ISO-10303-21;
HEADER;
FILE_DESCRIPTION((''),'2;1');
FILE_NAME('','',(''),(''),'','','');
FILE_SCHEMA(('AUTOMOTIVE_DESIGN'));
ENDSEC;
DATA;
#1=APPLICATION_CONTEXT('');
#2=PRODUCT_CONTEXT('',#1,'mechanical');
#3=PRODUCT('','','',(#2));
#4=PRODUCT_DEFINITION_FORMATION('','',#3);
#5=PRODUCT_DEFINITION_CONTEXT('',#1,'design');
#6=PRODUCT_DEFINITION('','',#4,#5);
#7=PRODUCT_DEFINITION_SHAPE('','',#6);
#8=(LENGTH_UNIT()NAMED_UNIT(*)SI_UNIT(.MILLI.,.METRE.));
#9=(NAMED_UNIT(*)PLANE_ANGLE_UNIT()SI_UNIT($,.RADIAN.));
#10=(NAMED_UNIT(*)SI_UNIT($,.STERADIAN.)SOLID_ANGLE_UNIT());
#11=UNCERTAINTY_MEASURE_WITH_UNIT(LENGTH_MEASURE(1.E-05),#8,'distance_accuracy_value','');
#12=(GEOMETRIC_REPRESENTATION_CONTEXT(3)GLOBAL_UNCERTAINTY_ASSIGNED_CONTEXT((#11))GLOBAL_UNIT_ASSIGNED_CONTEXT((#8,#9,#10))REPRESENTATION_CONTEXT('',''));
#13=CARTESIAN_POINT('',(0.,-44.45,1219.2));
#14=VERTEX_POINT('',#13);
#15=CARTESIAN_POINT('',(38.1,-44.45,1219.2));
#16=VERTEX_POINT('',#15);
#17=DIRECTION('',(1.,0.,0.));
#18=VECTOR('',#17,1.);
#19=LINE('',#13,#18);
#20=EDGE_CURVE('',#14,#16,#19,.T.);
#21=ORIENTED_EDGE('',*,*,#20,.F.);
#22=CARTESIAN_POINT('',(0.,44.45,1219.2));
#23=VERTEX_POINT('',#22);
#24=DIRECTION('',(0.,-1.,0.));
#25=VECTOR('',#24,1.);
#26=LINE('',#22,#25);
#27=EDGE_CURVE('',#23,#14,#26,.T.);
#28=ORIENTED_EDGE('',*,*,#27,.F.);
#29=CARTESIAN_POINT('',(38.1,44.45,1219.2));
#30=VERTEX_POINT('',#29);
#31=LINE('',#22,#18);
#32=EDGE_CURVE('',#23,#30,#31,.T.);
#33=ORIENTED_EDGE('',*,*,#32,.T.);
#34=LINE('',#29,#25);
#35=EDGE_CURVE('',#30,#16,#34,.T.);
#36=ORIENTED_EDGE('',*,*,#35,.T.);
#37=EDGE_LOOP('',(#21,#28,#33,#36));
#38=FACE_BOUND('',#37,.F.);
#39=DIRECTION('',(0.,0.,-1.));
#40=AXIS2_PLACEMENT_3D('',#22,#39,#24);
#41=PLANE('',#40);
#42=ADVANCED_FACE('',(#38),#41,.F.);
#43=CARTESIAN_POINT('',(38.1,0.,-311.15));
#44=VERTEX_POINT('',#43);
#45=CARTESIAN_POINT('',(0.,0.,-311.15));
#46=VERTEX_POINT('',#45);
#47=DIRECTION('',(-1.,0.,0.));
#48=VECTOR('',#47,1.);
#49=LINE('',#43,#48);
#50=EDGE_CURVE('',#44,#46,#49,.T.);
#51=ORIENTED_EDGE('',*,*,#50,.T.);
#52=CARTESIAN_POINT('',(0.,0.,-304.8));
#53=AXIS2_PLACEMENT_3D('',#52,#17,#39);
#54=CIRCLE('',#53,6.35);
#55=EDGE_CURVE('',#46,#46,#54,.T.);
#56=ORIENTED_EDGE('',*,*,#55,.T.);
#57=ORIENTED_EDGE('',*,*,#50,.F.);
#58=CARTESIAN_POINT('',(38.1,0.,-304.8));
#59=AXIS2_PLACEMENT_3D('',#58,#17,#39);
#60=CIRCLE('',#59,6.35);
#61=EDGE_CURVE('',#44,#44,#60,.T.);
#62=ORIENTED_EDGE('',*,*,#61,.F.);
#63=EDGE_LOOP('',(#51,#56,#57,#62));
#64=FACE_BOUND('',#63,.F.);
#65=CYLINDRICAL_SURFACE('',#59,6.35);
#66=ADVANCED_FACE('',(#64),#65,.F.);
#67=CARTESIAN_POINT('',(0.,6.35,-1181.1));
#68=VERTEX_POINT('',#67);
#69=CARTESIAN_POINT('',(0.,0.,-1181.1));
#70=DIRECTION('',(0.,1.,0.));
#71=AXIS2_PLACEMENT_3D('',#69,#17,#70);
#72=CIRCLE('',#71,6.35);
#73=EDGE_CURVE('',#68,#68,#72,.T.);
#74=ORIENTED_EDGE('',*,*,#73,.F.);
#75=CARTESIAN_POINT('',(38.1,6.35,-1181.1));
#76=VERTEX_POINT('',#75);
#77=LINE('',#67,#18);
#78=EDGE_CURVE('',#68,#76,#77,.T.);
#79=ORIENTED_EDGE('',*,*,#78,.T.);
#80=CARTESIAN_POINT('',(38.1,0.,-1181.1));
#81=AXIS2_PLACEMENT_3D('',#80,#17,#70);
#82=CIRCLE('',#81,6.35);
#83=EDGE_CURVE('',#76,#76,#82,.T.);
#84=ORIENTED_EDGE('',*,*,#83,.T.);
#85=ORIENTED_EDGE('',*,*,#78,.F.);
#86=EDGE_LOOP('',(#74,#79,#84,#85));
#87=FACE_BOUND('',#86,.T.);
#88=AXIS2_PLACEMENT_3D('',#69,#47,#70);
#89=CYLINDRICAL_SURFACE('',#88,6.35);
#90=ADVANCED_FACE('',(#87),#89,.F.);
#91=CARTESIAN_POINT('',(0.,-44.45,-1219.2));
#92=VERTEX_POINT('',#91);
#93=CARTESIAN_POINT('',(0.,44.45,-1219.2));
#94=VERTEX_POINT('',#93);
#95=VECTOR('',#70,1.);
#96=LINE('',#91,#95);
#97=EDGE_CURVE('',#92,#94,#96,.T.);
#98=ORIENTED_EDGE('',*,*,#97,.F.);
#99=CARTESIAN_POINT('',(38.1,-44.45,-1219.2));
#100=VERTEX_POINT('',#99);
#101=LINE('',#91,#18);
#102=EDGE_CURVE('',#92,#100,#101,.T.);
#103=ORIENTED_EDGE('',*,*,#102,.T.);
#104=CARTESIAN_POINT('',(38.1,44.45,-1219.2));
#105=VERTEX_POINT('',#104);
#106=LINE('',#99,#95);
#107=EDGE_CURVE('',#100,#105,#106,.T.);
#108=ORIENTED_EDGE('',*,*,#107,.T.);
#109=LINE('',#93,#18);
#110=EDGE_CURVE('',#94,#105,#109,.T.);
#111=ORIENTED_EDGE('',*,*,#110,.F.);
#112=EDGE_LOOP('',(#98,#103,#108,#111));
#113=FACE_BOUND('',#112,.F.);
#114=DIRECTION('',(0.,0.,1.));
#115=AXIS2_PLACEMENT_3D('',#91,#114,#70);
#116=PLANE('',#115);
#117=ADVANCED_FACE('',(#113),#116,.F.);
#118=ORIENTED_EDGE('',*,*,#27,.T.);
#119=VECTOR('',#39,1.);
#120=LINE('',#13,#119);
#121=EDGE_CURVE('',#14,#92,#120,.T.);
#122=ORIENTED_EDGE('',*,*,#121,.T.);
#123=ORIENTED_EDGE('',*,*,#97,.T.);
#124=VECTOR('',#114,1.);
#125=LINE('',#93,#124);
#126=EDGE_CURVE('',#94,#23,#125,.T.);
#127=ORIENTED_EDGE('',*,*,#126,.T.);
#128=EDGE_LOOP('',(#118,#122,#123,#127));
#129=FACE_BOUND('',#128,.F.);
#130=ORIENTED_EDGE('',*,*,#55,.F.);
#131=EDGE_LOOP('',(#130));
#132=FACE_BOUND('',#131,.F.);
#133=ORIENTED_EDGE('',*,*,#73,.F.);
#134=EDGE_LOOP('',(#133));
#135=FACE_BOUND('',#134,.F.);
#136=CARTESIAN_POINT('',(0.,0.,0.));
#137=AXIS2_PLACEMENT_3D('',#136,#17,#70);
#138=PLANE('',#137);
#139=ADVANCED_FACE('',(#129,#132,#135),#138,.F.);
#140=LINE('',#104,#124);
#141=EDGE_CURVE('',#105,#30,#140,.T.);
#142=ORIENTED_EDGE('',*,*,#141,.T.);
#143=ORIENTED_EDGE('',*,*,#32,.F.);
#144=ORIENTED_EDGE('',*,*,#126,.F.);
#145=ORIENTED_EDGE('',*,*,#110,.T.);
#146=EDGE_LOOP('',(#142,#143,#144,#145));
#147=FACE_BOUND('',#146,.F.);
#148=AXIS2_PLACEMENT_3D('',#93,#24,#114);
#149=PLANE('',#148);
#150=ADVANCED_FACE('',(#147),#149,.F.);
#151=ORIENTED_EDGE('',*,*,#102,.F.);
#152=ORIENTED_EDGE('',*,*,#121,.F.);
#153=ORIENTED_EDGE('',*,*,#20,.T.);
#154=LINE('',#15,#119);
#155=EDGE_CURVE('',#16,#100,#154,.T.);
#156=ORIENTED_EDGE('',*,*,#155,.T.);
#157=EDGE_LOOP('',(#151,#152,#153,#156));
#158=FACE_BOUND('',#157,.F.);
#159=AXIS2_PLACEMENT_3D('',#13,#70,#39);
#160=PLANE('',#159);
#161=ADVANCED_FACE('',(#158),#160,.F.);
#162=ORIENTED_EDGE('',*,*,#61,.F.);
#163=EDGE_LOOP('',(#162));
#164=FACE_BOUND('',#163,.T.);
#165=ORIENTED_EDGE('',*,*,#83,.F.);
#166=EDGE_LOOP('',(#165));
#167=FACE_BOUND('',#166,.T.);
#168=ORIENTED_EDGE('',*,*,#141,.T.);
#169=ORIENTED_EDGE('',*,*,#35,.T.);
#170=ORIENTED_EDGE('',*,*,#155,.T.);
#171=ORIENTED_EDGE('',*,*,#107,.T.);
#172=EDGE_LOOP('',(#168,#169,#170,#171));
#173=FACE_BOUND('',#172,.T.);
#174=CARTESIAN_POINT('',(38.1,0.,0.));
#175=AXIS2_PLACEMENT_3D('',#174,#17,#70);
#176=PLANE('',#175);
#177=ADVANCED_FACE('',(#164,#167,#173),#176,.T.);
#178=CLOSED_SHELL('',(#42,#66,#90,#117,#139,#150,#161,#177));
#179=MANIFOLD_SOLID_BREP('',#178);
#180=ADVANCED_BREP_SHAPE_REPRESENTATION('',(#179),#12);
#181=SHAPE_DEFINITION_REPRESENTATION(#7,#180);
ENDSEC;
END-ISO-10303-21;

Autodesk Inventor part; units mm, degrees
ref_plane "YZ Plane" through (0, 0, 0) normal (1, 0, 0) x (0, 1, 0)
ref_plane "XZ Plane" through (0, 0, 0) normal (0, 1, 0) x (-1, 0, 0)
ref_plane "XY Plane" through (0, 0, 0) normal (0, 0, 1) x (1, 0, 0)
sketch "Sketch1" plane through (0, 0, 0) normal (1, 0, 0) x (0, 1, 0)
  line L0 (44.45, 1219.2) -> (-44.45, 1219.2)
  line L1 (-44.45, 1219.2) -> (-44.45, -1219.2)
  line L2 (-44.45, -1219.2) -> (44.45, -1219.2)
  line L3 (44.45, -1219.2) -> (44.45, 1219.2)
  line L4 (44.45, 1219.2) -> (-44.45, -1219.2) construction
  line L5 (-44.45, 1219.2) -> (44.45, -1219.2) construction
  line L6 (44.45, -1219.2) -> (-44.45, -1219.2) construction
  line L7 (-44.45, -1219.2) -> (-44.45, -1181.1) construction
  line L8 (-44.45, -1181.1) -> (44.45, -1181.1) construction
  line L9 (44.45, -1181.1) -> (44.45, -1219.2) construction
  circle A0 centre (0, -1181.1) radius 6.35
  point P0 (0, 0)
  dimension "d0" = 88.9
  dimension "d1" = 2438.4
  dimension "d2" = 88.9
  dimension "d3" = 38.1
  dimension "d4" = 12.7
extrude "Extrusion1" add sketch "Sketch1" along normal blind 38.1
sketch "Sketch2" plane through (38.1, 0, 0) normal (1, 0, 0) x (0, 0, -1)
  circle A0 centre (1181.1, 0) radius 6.35 projected
  line L0 (1181.1, 0) -> (304.8, 0) construction
  circle A1 centre (304.8, 0) radius 6.35
  point P0 (0, 0)
  dimension "d7" = 876.3
  dimension "d8" = 12.7
extrude "Extrusion2" cut sketch "Sketch2" against normal blind 38.1 contours A1
properties part number "Trebuchet Arm"
